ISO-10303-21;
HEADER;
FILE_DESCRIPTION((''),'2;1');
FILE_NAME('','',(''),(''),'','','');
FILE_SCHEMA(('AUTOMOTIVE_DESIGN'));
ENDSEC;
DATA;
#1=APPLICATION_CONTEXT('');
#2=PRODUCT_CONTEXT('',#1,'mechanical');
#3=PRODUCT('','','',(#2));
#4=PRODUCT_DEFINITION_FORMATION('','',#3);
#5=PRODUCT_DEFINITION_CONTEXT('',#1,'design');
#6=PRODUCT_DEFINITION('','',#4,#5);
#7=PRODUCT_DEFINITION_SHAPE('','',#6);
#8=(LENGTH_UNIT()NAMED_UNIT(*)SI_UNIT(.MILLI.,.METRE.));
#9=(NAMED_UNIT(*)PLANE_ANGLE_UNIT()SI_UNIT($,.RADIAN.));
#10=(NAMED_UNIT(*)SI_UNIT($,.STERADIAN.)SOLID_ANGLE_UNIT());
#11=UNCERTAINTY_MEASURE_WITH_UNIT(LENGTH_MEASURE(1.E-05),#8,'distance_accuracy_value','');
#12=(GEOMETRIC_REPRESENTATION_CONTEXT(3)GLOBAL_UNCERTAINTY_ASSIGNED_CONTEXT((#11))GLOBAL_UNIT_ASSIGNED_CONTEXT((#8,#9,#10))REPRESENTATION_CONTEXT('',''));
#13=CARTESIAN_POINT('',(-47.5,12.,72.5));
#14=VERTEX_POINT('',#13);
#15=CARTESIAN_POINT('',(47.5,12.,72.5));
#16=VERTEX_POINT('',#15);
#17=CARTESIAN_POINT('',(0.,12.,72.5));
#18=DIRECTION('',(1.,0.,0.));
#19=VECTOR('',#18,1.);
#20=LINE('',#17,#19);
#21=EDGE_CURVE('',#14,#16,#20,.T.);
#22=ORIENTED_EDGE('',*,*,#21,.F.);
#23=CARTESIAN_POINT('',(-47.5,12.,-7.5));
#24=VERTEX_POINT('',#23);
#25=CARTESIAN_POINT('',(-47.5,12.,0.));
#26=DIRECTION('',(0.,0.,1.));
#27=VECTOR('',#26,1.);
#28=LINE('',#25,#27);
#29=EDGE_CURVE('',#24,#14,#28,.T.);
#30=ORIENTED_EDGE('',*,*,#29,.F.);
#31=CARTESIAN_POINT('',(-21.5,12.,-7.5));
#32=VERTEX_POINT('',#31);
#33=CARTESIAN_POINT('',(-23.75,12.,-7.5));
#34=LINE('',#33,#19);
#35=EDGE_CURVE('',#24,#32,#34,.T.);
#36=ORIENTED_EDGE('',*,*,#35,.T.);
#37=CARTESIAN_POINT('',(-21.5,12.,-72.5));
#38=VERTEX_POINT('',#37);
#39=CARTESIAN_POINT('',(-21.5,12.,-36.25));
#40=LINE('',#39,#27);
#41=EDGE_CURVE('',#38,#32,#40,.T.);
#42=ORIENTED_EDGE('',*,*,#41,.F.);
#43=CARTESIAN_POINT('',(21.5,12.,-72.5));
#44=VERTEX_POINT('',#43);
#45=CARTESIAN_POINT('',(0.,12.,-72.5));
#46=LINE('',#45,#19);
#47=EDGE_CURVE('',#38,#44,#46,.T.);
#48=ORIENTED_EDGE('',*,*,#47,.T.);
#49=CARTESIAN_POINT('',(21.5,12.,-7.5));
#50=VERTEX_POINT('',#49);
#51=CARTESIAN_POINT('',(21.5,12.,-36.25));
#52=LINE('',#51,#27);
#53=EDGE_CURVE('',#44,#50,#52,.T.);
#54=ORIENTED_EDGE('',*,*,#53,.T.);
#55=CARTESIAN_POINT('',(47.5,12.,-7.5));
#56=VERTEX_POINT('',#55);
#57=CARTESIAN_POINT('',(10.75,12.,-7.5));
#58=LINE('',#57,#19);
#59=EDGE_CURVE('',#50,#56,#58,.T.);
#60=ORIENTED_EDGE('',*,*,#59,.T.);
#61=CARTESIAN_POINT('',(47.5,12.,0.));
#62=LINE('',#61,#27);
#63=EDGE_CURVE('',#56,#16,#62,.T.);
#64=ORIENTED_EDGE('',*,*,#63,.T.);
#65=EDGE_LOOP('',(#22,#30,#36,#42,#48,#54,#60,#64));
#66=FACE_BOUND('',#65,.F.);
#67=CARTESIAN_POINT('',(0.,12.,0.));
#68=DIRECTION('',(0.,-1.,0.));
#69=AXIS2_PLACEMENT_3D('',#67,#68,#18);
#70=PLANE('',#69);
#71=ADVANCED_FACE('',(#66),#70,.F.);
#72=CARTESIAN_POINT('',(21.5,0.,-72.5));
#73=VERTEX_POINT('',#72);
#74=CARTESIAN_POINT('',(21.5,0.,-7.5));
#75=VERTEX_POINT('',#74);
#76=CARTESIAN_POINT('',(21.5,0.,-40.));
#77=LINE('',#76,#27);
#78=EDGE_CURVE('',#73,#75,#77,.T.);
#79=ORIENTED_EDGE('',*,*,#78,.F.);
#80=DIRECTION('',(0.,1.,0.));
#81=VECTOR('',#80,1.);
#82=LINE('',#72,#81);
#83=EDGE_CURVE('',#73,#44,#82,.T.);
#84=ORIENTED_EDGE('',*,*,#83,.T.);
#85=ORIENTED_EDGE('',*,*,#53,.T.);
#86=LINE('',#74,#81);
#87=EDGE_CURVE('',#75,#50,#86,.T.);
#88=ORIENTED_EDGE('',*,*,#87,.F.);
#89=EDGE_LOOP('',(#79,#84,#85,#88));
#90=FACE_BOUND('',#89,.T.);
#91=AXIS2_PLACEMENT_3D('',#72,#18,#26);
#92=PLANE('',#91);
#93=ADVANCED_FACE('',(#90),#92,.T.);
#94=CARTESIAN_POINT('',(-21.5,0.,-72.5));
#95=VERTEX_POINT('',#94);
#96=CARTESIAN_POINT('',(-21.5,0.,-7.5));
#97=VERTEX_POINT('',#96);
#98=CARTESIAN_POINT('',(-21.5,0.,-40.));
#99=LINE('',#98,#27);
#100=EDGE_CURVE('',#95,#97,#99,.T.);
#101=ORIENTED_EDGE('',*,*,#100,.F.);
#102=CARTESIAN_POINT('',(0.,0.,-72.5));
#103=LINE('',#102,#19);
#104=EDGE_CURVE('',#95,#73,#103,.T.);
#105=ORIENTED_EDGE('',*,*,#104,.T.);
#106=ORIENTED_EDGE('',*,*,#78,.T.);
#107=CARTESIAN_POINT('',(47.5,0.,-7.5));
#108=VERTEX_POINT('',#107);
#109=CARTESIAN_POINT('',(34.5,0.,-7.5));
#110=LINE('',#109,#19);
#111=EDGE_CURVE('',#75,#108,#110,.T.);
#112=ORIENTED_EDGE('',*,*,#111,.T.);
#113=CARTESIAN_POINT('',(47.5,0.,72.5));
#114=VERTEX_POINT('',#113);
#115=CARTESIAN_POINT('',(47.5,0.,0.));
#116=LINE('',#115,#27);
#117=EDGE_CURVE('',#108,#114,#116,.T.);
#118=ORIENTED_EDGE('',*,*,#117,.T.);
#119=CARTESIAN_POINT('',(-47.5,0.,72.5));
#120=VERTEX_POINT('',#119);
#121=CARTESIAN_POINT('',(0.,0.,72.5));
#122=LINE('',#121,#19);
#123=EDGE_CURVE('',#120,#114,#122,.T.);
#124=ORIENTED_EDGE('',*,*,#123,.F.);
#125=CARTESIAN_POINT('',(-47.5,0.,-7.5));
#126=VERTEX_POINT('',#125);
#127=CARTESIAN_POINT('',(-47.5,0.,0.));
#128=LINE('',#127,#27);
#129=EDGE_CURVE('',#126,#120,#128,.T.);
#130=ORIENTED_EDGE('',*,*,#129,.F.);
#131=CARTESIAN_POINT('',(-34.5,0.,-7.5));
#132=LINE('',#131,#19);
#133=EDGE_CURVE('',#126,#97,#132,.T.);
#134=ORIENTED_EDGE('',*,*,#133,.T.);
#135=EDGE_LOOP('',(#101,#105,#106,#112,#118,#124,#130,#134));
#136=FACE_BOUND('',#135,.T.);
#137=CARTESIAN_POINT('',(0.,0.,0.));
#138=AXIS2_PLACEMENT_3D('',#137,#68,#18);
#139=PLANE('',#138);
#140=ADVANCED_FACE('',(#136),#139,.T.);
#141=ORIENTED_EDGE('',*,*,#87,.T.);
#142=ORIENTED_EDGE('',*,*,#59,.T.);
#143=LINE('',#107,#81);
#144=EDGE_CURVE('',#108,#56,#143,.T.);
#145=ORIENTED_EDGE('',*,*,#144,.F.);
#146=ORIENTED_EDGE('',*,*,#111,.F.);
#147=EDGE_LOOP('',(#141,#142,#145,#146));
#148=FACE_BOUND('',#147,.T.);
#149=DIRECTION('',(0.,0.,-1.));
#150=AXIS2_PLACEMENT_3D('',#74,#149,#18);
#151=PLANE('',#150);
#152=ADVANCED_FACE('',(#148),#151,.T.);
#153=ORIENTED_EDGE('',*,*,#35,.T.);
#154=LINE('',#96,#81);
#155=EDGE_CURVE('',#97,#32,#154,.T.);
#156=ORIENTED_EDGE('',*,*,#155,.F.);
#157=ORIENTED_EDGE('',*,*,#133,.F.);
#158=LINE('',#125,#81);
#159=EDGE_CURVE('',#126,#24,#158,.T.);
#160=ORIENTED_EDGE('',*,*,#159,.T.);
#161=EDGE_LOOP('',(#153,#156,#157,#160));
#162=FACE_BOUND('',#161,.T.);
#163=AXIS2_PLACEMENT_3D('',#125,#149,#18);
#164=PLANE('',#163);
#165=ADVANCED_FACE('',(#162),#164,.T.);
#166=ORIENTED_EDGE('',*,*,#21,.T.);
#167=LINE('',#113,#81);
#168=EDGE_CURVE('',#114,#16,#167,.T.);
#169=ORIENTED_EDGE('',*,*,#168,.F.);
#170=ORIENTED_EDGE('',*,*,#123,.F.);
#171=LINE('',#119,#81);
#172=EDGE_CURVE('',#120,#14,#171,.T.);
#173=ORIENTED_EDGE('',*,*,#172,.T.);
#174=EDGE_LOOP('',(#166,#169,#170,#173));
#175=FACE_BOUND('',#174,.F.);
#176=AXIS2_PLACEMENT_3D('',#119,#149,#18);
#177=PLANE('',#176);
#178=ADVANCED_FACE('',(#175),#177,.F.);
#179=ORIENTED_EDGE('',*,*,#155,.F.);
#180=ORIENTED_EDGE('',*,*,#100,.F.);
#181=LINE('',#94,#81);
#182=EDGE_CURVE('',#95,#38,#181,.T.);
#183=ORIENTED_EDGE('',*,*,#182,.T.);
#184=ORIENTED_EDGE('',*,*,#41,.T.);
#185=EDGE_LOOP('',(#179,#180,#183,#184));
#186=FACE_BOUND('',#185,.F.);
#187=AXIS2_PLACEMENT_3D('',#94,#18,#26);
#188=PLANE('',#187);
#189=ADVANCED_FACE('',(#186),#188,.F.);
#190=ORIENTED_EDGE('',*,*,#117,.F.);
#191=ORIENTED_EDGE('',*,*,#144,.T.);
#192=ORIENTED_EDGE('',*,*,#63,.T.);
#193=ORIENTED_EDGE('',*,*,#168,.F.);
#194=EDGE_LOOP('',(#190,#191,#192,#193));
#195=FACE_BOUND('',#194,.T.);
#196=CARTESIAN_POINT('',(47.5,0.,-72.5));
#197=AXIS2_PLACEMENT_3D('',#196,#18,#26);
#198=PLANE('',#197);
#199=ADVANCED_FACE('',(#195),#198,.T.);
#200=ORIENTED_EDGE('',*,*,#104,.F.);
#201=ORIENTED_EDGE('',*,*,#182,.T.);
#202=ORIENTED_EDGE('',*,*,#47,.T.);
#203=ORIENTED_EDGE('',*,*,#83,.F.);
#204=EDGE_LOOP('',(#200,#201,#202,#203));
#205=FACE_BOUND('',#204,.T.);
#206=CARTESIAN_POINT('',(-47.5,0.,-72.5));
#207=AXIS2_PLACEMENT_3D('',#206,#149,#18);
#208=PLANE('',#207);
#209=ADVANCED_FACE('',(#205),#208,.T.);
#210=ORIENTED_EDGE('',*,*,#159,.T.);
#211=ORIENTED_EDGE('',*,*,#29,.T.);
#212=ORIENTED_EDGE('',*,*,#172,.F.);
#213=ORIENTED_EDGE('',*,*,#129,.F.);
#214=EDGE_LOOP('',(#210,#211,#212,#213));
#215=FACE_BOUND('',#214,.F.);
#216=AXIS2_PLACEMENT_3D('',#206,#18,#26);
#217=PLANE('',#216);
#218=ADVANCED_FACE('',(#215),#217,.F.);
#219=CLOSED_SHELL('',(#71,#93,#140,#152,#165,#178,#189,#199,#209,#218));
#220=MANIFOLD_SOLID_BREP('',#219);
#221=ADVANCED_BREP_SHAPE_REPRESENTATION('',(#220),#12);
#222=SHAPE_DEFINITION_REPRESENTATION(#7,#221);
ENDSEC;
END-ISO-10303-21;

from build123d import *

# Parameters (mm, degrees)
F0_W     = 95
F0_H     = 145
F1_DEPTH = 12
F2_W     = 26
F2_H     = 65
F3_DEPTH = 15
F4_W     = 26
F4_H     = 65
F5_DEPTH = 15


with BuildPart() as f1:
    # F0 (on Front) → F1 (new body)
    with BuildSketch(Plane.XZ):
        Rectangle(F0_W, F0_H)
    extrude(amount=-F1_DEPTH)

    # F2 (on face) → F3 (cut)
    with BuildSketch(Plane.XZ):
        with Locations((34.5, -40)):
            Rectangle(F2_W, F2_H)
    extrude(amount=-F3_DEPTH, mode=Mode.SUBTRACT)

    # F4 (on face) → F5 (cut)
    with BuildSketch(Plane.XZ):
        with Locations((-34.5, -40)):
            Rectangle(F4_W, F4_H)
    extrude(amount=-F5_DEPTH, mode=Mode.SUBTRACT)


solid = f1.part
